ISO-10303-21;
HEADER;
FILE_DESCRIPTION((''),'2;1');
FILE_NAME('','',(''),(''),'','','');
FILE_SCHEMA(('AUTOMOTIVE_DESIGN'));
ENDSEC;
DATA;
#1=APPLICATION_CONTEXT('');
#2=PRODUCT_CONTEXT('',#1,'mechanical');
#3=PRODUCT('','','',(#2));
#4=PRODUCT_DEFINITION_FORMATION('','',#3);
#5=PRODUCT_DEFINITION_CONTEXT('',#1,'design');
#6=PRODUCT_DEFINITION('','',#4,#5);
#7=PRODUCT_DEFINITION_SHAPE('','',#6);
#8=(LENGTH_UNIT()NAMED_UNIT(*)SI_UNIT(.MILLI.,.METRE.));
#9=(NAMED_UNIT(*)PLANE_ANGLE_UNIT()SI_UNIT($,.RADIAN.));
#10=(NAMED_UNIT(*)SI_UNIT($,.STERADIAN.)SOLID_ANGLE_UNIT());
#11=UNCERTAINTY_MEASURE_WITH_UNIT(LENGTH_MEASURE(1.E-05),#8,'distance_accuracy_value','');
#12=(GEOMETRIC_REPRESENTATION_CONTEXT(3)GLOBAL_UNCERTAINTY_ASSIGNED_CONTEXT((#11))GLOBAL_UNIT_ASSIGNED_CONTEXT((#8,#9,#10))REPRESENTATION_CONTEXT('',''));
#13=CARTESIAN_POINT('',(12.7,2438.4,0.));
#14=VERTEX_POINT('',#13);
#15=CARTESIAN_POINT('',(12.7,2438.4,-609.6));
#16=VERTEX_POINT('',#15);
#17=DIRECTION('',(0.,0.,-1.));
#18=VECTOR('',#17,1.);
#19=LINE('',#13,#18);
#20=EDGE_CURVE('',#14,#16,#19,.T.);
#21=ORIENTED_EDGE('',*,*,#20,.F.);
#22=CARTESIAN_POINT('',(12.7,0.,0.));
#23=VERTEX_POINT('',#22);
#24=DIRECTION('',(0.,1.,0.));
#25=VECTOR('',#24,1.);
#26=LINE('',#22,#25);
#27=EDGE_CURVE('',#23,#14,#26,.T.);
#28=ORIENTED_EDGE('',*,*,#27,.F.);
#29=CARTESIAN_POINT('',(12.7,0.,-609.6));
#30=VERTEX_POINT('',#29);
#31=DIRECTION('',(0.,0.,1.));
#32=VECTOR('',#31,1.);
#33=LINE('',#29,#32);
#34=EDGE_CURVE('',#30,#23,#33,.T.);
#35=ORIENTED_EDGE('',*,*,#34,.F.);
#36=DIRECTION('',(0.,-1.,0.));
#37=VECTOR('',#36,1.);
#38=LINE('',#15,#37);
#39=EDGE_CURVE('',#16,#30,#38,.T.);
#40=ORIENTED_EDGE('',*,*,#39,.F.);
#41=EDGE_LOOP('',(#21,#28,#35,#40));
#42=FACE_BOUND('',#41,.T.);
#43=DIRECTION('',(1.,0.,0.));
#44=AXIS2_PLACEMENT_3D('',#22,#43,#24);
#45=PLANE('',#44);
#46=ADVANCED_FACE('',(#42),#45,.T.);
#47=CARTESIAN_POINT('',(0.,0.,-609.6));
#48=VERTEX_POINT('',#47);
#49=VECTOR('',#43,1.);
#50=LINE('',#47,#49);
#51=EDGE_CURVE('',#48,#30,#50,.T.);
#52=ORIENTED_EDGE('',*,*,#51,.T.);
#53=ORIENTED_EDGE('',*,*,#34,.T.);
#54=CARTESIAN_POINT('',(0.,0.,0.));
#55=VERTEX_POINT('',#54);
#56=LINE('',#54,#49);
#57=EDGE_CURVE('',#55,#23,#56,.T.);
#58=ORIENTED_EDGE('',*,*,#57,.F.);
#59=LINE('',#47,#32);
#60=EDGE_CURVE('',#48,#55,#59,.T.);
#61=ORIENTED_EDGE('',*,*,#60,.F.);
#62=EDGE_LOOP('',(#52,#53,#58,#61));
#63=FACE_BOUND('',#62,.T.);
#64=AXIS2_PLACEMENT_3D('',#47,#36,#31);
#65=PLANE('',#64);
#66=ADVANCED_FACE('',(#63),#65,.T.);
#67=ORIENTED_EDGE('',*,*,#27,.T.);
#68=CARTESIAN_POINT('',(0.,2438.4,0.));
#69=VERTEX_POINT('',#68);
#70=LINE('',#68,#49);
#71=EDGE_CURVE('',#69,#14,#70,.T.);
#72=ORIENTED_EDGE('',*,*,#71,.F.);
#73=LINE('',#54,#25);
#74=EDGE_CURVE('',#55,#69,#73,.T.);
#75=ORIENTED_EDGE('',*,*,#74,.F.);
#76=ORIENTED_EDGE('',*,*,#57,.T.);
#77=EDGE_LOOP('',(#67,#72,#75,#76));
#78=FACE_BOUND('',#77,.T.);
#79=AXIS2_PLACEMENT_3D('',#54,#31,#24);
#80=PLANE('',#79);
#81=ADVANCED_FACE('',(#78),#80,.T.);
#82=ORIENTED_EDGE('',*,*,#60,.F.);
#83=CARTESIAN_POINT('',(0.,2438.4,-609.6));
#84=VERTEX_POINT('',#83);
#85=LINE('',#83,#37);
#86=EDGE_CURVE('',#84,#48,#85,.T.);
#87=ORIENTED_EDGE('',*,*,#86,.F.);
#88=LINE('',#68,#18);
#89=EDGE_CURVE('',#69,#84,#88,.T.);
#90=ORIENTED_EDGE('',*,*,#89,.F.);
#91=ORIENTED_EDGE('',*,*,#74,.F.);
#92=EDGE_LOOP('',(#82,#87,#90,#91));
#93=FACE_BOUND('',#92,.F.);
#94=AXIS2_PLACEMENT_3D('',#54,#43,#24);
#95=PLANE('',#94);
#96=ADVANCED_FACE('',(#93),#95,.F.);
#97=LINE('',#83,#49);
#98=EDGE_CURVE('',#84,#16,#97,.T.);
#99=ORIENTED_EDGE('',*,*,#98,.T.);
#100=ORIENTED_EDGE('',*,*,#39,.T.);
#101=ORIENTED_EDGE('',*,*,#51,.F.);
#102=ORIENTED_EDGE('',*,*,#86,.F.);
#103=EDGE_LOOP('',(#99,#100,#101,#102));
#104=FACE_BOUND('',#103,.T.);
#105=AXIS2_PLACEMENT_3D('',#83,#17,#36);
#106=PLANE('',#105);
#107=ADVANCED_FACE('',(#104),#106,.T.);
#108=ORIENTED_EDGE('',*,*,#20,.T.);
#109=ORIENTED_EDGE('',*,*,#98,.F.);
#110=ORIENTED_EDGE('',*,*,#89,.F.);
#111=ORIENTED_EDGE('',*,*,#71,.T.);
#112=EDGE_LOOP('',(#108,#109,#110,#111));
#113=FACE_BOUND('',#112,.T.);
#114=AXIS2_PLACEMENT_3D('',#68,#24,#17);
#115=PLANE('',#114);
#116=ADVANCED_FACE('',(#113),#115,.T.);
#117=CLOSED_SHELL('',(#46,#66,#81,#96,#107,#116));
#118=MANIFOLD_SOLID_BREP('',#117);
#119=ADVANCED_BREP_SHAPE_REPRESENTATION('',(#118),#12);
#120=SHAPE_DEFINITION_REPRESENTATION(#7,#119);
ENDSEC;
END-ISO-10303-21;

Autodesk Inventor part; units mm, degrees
ref_plane "YZ Plane" through (0, 0, 0) normal (1, 0, 0) x (0, 1, 0)
ref_plane "XZ Plane" through (0, 0, 0) normal (0, 1, 0) x (-1, 0, 0)
ref_plane "XY Plane" through (0, 0, 0) normal (0, 0, 1) x (1, 0, 0)
sketch "Sketch1" plane through (0, 0, 0) normal (1, 0, 0) x (0, 1, 0)
  line L0 (0, 0) -> (2438.4, 0)
  line L1 (2438.4, 0) -> (2438.4, -609.6)
  line L2 (2438.4, -609.6) -> (0, -609.6)
  line L3 (0, -609.6) -> (0, 0)
  dimension "d0" = 609.6
  dimension "d1" = 2438.4
extrude "Extrusion1" add sketch "Sketch1" along normal blind 12.7
properties part number "Plywood"
